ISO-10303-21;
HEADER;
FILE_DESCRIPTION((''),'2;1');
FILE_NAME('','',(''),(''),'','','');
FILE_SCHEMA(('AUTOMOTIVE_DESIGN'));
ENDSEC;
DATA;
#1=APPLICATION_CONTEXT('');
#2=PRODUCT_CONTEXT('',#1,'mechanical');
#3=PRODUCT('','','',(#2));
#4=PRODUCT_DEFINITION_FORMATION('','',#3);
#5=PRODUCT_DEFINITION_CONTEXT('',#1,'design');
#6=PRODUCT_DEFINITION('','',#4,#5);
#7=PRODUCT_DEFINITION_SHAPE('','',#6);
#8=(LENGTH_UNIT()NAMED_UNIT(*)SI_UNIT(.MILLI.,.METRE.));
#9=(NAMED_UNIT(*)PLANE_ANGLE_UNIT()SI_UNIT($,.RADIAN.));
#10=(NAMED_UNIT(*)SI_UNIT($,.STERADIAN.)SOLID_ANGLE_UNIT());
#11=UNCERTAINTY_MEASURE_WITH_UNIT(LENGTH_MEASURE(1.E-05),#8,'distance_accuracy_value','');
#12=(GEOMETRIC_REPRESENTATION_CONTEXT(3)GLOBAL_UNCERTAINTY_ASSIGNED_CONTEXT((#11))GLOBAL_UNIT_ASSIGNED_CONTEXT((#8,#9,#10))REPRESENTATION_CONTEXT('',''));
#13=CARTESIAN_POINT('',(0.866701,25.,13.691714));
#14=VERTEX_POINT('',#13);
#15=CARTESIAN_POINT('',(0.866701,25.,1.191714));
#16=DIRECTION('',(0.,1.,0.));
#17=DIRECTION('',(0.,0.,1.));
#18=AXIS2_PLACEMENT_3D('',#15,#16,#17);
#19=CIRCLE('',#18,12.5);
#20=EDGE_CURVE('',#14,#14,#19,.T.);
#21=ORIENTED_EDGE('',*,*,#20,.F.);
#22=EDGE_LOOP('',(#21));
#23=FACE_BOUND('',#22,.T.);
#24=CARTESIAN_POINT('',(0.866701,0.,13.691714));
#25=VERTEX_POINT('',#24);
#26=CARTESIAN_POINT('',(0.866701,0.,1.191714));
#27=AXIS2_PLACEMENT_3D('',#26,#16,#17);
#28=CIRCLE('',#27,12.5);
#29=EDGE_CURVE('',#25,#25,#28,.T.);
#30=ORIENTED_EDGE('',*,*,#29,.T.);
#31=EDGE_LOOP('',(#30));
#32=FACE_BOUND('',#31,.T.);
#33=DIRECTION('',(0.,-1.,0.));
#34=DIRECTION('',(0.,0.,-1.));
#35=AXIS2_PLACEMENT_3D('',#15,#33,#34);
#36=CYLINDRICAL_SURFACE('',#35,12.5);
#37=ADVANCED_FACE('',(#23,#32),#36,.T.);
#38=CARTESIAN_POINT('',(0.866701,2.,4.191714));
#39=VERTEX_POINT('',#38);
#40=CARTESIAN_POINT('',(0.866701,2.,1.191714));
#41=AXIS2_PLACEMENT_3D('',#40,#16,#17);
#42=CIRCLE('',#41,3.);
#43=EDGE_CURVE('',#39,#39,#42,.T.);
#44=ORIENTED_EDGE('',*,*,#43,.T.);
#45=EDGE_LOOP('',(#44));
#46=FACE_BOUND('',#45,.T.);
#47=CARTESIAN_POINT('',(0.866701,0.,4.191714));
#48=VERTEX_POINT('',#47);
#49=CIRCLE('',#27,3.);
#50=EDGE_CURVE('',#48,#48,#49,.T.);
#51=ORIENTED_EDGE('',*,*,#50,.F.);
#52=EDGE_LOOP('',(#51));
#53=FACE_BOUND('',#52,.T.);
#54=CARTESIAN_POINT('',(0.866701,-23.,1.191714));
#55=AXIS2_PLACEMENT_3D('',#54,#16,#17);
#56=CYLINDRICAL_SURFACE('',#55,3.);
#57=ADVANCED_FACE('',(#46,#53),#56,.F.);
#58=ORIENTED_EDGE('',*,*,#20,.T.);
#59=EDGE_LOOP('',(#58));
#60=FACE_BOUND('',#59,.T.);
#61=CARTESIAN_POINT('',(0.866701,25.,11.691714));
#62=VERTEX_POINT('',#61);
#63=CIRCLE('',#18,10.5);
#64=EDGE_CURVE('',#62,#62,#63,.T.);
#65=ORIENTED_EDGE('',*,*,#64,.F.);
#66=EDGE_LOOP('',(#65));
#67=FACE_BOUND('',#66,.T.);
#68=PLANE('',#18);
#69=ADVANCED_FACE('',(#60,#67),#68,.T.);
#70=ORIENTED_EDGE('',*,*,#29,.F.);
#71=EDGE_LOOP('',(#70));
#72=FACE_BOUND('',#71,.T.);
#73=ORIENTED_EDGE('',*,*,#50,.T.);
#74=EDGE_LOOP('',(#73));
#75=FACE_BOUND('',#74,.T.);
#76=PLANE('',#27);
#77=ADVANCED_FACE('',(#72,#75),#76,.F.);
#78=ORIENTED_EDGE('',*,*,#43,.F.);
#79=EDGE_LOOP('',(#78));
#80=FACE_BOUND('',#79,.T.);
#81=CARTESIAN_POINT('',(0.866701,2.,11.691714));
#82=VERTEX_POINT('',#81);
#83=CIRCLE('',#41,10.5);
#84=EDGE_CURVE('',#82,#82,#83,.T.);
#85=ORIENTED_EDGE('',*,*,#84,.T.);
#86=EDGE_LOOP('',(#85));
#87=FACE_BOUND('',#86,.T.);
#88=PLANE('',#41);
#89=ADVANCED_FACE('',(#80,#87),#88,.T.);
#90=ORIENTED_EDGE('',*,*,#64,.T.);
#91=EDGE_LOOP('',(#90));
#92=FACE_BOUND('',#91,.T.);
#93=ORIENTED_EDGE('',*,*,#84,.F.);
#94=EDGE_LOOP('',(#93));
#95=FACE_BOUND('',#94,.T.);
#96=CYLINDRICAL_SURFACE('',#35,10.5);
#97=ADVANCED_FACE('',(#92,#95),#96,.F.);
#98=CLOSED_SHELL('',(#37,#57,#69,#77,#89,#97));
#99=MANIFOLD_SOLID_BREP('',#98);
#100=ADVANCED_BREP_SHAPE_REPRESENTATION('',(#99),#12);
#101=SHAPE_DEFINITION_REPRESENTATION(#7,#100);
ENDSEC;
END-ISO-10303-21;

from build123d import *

# Parameters (mm, degrees)
SKETCH1_R           = 12.5
BOSS_EXTRUDE1_DEPTH = 25
SHELL1_T            = -2
SKETCH2_R           = 3
CUT_EXTRUDE1_DEPTH  = 25


with BuildPart() as part:
    # Sketch1 → Boss-Extrude1 (new body)
    with BuildSketch(Plane(origin=(0, 0, 0), x_dir=(1, 0, 0), z_dir=(0, 1, 0))):
        with Locations(Location((0.866701165, -1.191714102, 0), (0, 0, 270))):
            Circle(SKETCH1_R)
    extrude(amount=BOSS_EXTRUDE1_DEPTH)

    # Shell1
    shell1_openings = [part.faces().sort_by_distance(p)[0] for p in [
        (0.866701165, 25, 1.191714102),
    ]]
    offset(amount=SHELL1_T, openings=shell1_openings, kind=Kind.INTERSECTION)

    # Sketch2 → Cut-Extrude1 (cut)
    with BuildSketch(Plane(origin=(0, 2, 0), x_dir=(1, 0, 0), z_dir=(0, 1, 0))):
        with Locations(Location((0.866701165, -1.191714102, 0), (0, 0, 270))):
            Circle(SKETCH2_R)
    extrude(amount=-CUT_EXTRUDE1_DEPTH, mode=Mode.SUBTRACT)


solid = part.part
